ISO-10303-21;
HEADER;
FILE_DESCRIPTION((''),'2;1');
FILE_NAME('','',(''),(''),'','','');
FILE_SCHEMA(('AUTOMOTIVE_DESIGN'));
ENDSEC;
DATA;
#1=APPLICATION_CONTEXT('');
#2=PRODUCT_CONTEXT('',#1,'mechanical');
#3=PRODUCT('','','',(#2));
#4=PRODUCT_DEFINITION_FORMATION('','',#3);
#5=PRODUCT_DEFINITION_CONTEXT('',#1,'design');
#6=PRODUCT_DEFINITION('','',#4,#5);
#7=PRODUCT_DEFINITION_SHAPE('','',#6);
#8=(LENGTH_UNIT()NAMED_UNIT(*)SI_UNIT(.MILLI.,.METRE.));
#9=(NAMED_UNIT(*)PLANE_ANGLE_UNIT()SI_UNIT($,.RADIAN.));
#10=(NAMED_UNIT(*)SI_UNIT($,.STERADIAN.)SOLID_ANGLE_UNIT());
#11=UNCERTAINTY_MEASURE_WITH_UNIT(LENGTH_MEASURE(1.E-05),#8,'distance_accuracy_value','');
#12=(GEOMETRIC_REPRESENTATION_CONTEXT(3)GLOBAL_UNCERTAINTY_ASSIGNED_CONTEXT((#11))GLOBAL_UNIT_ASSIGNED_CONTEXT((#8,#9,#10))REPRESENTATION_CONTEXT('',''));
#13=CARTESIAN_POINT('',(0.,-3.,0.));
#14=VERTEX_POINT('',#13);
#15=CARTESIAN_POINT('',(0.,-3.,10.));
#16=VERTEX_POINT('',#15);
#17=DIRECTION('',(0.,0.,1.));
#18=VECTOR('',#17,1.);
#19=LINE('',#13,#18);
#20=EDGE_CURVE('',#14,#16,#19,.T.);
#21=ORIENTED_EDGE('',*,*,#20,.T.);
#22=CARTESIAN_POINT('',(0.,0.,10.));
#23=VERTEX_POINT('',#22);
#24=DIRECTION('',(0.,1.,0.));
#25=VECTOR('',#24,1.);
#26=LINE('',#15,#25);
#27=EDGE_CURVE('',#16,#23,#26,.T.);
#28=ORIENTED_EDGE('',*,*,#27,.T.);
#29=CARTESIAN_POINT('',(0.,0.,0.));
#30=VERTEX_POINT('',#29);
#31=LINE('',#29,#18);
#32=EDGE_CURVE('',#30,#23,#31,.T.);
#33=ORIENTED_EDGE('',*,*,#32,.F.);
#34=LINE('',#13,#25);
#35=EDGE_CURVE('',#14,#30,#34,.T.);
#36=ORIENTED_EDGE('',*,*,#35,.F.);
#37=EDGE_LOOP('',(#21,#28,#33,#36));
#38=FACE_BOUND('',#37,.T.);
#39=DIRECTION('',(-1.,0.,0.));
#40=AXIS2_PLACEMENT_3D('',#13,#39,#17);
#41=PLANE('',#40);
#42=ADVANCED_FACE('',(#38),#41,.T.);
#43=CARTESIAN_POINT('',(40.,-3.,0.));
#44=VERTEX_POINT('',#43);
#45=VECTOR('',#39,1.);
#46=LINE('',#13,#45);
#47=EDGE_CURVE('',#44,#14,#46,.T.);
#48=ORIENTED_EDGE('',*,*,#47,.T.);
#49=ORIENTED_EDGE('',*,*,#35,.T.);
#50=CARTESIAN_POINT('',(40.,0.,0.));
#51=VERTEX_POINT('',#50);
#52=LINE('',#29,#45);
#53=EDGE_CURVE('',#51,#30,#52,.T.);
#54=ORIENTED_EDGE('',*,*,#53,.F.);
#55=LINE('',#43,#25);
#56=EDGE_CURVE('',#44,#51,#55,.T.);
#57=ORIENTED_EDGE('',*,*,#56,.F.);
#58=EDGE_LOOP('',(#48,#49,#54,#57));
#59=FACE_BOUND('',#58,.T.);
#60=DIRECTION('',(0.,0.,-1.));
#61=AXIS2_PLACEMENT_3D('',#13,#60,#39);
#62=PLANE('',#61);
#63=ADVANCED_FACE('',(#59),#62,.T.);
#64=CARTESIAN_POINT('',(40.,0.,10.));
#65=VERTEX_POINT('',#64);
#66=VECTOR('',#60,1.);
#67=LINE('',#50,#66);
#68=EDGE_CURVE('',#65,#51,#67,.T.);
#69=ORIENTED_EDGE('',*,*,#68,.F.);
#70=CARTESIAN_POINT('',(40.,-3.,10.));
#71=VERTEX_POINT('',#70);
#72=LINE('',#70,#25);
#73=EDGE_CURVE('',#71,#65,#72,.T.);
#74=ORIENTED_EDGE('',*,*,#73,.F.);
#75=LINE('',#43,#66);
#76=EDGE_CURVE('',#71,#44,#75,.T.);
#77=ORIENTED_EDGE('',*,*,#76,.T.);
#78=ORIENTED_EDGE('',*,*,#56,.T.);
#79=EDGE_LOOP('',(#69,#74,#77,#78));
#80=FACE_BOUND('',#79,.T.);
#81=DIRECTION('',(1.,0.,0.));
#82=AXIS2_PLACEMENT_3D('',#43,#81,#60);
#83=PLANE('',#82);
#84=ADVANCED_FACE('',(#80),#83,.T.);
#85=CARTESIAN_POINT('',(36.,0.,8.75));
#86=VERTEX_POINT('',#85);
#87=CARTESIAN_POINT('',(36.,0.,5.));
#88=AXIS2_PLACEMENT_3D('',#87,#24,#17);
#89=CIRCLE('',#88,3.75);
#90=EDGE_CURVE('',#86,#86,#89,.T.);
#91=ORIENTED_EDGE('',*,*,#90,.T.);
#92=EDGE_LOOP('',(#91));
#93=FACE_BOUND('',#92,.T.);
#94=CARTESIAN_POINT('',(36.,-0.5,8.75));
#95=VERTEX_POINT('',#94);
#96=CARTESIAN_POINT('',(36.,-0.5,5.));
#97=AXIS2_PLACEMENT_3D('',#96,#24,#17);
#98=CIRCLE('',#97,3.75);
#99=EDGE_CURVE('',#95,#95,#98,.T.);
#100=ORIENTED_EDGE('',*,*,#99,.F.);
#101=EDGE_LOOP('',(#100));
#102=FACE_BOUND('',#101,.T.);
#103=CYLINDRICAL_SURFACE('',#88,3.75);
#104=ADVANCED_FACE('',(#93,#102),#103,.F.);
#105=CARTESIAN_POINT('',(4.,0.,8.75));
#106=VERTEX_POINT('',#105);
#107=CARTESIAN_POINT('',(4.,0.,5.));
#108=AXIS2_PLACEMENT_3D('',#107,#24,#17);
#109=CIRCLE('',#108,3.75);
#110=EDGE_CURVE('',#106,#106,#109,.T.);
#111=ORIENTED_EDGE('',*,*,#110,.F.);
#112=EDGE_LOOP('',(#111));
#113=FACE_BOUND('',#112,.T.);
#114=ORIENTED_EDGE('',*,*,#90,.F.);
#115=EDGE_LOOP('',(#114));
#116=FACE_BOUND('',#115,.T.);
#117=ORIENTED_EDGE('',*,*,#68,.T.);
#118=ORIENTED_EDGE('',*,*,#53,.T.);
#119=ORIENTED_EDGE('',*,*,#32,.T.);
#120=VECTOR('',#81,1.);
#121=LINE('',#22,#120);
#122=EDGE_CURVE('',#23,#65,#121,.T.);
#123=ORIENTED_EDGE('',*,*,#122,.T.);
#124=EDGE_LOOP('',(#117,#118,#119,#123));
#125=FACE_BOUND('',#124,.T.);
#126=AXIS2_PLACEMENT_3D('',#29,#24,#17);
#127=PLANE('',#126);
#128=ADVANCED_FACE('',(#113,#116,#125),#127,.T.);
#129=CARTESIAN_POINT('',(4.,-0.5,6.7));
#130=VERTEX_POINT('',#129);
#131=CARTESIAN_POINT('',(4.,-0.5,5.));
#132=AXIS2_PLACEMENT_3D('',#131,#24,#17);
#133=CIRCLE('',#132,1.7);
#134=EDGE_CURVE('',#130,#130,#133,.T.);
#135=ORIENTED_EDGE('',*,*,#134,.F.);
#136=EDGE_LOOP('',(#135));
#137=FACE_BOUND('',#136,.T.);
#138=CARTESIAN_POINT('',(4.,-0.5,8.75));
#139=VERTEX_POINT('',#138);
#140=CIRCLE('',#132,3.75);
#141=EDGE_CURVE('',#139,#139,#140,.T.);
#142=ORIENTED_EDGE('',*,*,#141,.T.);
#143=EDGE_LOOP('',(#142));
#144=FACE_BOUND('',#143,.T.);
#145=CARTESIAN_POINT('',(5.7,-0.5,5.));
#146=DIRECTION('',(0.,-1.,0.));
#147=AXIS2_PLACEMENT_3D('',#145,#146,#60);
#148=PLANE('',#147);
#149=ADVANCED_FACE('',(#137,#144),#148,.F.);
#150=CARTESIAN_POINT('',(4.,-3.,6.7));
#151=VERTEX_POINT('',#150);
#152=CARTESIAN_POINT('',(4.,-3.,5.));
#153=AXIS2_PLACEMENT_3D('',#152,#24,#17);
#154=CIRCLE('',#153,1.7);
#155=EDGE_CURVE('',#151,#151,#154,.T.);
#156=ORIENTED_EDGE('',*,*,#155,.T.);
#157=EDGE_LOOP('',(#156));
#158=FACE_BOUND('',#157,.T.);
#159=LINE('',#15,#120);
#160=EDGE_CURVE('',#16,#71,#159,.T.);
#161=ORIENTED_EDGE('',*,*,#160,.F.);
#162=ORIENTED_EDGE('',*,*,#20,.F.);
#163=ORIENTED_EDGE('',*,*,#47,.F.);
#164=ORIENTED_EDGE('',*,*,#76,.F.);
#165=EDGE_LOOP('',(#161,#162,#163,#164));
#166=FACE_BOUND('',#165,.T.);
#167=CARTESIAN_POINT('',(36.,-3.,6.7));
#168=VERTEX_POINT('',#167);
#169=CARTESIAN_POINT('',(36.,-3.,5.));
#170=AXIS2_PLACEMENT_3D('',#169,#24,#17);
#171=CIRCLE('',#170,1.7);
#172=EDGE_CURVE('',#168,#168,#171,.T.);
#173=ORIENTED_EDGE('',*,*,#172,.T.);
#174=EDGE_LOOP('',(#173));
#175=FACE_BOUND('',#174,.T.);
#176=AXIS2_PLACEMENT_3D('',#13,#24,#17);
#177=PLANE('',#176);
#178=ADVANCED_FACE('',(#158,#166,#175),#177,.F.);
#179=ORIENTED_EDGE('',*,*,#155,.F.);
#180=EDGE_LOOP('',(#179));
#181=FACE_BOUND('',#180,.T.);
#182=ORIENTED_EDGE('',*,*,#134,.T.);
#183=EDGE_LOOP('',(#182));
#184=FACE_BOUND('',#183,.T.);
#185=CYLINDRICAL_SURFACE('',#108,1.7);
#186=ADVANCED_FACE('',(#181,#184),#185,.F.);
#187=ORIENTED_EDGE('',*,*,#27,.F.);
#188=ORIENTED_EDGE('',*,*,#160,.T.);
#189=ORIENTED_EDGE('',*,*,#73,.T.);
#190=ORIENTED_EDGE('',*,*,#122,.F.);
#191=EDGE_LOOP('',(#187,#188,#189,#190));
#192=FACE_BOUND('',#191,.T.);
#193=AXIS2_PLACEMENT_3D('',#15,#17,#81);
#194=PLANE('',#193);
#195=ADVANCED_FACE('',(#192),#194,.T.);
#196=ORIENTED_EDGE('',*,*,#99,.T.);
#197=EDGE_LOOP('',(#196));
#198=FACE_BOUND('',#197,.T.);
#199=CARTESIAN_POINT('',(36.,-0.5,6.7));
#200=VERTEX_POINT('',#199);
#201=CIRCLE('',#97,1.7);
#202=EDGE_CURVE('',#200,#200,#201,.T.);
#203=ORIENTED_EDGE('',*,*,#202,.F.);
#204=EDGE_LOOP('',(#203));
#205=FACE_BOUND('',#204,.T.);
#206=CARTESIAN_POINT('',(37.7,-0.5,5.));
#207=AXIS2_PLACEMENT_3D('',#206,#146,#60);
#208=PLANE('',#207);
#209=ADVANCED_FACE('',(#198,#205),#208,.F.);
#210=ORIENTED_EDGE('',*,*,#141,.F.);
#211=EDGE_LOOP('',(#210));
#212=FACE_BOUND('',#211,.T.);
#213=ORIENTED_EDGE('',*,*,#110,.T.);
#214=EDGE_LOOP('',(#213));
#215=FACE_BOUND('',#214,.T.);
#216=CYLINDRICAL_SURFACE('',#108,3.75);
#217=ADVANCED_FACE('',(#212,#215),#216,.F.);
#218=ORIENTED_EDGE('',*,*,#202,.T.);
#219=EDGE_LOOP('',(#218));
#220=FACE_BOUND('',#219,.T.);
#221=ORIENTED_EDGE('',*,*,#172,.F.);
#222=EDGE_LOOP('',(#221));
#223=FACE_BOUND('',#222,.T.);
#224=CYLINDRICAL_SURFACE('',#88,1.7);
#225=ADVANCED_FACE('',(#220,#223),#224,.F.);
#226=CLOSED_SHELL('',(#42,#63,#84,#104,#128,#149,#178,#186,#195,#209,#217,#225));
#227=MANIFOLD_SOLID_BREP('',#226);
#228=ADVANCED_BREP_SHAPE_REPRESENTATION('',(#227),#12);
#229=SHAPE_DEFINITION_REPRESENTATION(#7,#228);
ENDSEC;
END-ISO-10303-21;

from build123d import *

# Parameters (mm, degrees)
SKETCH1_W                                        = 40
SKETCH1_H                                        = 10
BOSS_EXTRUDE1_DEPTH                              = 3
CBORE_FOR_M3_PAN_HEAD_MACHINE_SCREW1_D           = 3.4
CBORE_FOR_M3_PAN_HEAD_MACHINE_SCREW1_DEPTH       = 3
CBORE_FOR_M3_PAN_HEAD_MACHINE_SCREW1_CBORE_D     = 7.5
CBORE_FOR_M3_PAN_HEAD_MACHINE_SCREW1_CBORE_DEPTH = 0.5


with BuildPart() as part:
    # Sketch1 → Boss-Extrude1 (new body)
    with BuildSketch(Plane(origin=(0, 0, 0), x_dir=(1, 0, 0), z_dir=(0, 1, 0))):
        with Locations((20, -5)):
            Rectangle(SKETCH1_W, SKETCH1_H)
    extrude(amount=-BOSS_EXTRUDE1_DEPTH)

    # CBORE for M3 Pan Head Machine Screw1
    with Locations(Plane(origin=(0, 0, 0), x_dir=(1, 0, 0), z_dir=(0, 1, 0))):
        with Locations((4, -5), (36, -5)):
            CounterBoreHole(CBORE_FOR_M3_PAN_HEAD_MACHINE_SCREW1_D / 2, CBORE_FOR_M3_PAN_HEAD_MACHINE_SCREW1_CBORE_D / 2, CBORE_FOR_M3_PAN_HEAD_MACHINE_SCREW1_CBORE_DEPTH, depth=CBORE_FOR_M3_PAN_HEAD_MACHINE_SCREW1_DEPTH)


solid = part.part
